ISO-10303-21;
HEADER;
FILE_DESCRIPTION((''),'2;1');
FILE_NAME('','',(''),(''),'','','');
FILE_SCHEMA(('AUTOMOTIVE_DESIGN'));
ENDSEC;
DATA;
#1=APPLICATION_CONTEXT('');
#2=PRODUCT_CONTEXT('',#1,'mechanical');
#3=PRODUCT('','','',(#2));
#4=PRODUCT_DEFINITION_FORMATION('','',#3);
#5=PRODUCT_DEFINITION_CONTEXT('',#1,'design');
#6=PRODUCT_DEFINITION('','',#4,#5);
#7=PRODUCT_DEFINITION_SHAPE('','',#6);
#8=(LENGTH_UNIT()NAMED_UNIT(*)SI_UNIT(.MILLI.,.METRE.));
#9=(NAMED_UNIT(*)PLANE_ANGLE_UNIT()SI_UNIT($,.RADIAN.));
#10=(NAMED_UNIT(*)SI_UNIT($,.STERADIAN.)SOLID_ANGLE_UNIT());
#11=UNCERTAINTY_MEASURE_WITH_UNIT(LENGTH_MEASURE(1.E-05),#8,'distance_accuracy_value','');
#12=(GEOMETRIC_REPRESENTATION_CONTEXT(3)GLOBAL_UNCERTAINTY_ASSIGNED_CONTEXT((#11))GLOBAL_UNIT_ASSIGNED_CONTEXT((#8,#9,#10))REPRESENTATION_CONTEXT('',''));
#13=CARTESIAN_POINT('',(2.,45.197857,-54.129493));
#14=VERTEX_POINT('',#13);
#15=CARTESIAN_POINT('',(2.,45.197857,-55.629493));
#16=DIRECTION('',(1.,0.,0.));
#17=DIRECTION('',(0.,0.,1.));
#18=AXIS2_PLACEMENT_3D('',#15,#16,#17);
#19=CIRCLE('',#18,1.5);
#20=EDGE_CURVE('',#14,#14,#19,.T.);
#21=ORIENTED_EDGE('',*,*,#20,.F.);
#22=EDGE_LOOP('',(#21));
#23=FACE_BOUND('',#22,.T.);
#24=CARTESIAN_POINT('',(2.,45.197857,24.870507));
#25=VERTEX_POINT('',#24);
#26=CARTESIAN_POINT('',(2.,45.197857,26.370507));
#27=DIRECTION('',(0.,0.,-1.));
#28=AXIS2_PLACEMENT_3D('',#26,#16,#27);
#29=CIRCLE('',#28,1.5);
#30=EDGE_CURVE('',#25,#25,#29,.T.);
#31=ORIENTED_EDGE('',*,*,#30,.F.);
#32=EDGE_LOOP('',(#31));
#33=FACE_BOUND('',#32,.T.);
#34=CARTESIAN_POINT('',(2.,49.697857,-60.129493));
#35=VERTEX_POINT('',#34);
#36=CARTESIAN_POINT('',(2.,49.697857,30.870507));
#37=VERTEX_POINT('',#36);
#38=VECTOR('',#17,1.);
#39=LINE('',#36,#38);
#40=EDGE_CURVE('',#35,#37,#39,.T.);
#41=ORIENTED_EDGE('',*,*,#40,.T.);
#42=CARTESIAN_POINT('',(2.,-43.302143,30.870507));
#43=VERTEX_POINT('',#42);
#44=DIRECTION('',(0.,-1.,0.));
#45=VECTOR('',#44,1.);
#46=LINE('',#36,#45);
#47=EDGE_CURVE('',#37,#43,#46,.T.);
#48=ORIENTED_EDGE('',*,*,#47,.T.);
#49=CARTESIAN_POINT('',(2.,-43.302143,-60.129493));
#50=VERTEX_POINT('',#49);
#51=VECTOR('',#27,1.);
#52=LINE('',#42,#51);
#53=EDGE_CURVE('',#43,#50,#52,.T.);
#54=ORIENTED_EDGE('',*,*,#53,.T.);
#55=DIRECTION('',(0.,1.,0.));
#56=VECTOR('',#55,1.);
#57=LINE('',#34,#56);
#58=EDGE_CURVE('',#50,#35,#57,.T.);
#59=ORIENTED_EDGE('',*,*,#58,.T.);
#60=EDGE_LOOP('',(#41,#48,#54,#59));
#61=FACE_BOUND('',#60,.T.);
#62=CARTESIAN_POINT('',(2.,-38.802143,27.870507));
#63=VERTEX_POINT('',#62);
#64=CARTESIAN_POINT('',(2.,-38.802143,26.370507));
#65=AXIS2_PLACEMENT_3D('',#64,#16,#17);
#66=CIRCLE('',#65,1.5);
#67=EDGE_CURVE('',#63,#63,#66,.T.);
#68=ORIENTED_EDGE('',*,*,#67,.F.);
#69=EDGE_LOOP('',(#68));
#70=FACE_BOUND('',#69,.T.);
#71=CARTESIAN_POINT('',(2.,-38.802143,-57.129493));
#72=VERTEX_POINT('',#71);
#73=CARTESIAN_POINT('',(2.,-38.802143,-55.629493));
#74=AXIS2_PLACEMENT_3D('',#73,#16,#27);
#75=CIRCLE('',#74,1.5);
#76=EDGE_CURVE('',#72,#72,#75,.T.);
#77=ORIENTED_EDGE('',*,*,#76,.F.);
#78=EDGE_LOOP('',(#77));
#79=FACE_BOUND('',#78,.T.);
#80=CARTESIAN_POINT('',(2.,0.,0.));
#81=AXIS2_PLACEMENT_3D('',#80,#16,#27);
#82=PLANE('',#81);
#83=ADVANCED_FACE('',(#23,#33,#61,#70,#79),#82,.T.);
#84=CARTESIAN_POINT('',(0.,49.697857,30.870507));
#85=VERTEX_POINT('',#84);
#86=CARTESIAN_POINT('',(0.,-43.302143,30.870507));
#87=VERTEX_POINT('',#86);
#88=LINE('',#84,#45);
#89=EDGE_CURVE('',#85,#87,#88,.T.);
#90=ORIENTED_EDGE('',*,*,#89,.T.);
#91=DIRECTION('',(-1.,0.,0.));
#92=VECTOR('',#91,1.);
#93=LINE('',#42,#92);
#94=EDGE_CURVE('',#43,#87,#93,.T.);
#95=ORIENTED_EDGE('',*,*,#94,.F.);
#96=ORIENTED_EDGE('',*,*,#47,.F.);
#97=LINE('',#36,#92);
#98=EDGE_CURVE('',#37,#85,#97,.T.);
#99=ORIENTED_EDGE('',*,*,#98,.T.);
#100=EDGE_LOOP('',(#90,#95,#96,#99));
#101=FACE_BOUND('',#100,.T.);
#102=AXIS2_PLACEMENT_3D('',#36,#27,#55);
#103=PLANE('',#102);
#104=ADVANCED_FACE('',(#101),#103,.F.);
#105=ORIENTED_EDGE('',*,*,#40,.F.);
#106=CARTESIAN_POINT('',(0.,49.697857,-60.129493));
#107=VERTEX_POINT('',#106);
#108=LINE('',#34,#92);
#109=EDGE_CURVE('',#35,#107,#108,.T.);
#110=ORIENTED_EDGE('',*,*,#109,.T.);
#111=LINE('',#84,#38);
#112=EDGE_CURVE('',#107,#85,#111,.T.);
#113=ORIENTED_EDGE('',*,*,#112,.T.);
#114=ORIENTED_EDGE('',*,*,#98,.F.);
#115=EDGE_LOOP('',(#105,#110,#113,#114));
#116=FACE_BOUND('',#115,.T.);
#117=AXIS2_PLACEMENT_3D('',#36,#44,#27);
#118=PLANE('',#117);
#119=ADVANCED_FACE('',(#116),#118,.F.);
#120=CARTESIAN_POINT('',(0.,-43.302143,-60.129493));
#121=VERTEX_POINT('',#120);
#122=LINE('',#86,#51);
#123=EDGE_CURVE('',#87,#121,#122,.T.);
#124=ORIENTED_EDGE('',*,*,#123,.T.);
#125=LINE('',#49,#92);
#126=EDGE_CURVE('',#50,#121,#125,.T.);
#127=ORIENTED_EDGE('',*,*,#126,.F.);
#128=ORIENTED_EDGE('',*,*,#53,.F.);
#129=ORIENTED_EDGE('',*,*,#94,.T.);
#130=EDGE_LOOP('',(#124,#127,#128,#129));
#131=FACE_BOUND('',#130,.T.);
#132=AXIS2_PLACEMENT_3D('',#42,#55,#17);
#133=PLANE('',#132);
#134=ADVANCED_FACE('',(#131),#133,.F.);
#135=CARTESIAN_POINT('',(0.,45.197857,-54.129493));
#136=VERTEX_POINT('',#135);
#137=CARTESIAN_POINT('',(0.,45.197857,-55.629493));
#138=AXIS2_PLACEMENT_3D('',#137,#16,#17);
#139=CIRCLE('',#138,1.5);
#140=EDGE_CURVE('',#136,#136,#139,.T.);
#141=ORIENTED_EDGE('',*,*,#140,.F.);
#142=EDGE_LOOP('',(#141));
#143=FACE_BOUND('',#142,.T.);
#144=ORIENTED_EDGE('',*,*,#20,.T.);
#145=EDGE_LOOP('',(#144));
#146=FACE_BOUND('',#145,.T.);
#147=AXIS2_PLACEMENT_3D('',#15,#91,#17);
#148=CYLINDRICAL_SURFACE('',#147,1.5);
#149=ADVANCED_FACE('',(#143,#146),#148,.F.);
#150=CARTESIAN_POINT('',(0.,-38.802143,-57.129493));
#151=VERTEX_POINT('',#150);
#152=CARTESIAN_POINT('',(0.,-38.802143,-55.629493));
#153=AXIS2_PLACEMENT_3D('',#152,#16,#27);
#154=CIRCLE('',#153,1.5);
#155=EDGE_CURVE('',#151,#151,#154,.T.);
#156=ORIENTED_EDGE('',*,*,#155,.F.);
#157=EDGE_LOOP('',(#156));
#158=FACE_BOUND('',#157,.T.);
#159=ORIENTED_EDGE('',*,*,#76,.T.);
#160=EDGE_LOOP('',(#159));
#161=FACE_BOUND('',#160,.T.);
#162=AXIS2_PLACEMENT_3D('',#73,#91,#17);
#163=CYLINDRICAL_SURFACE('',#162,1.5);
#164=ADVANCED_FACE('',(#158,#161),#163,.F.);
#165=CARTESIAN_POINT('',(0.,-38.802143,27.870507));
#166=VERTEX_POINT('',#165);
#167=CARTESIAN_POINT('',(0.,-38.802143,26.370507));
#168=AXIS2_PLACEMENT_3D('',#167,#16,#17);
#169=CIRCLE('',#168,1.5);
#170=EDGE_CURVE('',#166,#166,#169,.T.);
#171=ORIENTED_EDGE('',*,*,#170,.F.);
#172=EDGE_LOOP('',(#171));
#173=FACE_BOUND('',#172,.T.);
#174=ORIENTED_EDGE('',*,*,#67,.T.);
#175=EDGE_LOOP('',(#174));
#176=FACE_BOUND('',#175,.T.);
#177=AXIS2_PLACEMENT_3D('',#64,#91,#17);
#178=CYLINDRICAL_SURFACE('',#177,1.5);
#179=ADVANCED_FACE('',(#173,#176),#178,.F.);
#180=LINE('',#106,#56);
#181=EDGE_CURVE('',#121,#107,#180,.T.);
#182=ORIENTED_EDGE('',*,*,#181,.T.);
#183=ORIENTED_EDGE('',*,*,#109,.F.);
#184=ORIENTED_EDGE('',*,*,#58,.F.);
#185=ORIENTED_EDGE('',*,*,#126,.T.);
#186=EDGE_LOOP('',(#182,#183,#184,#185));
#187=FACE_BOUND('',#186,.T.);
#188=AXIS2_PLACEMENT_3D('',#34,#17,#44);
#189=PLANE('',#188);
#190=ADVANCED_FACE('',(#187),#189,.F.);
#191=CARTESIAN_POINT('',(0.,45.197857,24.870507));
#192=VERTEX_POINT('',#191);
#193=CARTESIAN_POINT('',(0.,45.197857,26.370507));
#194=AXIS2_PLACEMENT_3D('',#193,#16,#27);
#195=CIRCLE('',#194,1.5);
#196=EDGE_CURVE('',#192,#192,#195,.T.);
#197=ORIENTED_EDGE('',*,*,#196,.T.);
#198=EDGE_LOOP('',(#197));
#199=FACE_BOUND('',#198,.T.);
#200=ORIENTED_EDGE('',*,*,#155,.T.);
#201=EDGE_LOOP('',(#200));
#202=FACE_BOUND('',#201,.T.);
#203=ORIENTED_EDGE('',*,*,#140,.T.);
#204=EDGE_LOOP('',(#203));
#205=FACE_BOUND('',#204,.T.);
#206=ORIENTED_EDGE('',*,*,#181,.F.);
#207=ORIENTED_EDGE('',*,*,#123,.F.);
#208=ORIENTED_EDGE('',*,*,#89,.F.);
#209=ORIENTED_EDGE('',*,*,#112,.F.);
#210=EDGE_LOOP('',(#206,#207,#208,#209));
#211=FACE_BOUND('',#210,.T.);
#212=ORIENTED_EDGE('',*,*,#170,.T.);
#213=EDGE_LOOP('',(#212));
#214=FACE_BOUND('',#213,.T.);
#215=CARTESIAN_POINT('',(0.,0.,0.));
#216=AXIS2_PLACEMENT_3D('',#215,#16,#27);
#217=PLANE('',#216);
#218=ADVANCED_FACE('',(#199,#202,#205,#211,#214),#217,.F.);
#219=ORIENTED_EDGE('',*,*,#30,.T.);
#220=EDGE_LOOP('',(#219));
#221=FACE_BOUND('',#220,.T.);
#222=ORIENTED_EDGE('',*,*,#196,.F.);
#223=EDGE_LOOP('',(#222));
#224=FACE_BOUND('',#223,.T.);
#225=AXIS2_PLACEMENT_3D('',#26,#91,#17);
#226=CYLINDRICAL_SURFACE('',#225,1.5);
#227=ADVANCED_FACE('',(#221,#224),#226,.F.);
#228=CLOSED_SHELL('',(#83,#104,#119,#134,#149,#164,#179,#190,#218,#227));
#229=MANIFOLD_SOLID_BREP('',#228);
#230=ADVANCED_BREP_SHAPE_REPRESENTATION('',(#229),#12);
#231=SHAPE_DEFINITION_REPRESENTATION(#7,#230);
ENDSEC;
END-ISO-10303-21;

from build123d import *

# Parameters (mm, degrees)
SKETCH_1_W      = 91
SKETCH_1_H      = 93
SKETCH_1_R      = 1.5
EXTRUDE_1_DEPTH = 2


with BuildPart() as part:
    # Эскиз1 → Бобышка-Вытянуть1 (new body)
    with BuildSketch(Plane(origin=(0, 0, 0), x_dir=(0, 0, -1), z_dir=(1, 0, 0))):
        with Locations((14.629493357, 3.197856898)):
            Rectangle(SKETCH_1_W, SKETCH_1_H)
        with Locations((-26.370506643, 45.197856898)):
            Circle(SKETCH_1_R, mode=Mode.SUBTRACT)
        with Locations(Location((55.629493357, 45.197856898, 0), (0, 0, 180))):
            Circle(SKETCH_1_R, mode=Mode.SUBTRACT)
        with Locations((55.629493357, -38.802143102)):
            Circle(SKETCH_1_R, mode=Mode.SUBTRACT)
        with Locations(Location((-26.370506643, -38.802143102, 0), (0, 0, 180))):
            Circle(SKETCH_1_R, mode=Mode.SUBTRACT)
    extrude(amount=EXTRUDE_1_DEPTH)


solid = part.part
